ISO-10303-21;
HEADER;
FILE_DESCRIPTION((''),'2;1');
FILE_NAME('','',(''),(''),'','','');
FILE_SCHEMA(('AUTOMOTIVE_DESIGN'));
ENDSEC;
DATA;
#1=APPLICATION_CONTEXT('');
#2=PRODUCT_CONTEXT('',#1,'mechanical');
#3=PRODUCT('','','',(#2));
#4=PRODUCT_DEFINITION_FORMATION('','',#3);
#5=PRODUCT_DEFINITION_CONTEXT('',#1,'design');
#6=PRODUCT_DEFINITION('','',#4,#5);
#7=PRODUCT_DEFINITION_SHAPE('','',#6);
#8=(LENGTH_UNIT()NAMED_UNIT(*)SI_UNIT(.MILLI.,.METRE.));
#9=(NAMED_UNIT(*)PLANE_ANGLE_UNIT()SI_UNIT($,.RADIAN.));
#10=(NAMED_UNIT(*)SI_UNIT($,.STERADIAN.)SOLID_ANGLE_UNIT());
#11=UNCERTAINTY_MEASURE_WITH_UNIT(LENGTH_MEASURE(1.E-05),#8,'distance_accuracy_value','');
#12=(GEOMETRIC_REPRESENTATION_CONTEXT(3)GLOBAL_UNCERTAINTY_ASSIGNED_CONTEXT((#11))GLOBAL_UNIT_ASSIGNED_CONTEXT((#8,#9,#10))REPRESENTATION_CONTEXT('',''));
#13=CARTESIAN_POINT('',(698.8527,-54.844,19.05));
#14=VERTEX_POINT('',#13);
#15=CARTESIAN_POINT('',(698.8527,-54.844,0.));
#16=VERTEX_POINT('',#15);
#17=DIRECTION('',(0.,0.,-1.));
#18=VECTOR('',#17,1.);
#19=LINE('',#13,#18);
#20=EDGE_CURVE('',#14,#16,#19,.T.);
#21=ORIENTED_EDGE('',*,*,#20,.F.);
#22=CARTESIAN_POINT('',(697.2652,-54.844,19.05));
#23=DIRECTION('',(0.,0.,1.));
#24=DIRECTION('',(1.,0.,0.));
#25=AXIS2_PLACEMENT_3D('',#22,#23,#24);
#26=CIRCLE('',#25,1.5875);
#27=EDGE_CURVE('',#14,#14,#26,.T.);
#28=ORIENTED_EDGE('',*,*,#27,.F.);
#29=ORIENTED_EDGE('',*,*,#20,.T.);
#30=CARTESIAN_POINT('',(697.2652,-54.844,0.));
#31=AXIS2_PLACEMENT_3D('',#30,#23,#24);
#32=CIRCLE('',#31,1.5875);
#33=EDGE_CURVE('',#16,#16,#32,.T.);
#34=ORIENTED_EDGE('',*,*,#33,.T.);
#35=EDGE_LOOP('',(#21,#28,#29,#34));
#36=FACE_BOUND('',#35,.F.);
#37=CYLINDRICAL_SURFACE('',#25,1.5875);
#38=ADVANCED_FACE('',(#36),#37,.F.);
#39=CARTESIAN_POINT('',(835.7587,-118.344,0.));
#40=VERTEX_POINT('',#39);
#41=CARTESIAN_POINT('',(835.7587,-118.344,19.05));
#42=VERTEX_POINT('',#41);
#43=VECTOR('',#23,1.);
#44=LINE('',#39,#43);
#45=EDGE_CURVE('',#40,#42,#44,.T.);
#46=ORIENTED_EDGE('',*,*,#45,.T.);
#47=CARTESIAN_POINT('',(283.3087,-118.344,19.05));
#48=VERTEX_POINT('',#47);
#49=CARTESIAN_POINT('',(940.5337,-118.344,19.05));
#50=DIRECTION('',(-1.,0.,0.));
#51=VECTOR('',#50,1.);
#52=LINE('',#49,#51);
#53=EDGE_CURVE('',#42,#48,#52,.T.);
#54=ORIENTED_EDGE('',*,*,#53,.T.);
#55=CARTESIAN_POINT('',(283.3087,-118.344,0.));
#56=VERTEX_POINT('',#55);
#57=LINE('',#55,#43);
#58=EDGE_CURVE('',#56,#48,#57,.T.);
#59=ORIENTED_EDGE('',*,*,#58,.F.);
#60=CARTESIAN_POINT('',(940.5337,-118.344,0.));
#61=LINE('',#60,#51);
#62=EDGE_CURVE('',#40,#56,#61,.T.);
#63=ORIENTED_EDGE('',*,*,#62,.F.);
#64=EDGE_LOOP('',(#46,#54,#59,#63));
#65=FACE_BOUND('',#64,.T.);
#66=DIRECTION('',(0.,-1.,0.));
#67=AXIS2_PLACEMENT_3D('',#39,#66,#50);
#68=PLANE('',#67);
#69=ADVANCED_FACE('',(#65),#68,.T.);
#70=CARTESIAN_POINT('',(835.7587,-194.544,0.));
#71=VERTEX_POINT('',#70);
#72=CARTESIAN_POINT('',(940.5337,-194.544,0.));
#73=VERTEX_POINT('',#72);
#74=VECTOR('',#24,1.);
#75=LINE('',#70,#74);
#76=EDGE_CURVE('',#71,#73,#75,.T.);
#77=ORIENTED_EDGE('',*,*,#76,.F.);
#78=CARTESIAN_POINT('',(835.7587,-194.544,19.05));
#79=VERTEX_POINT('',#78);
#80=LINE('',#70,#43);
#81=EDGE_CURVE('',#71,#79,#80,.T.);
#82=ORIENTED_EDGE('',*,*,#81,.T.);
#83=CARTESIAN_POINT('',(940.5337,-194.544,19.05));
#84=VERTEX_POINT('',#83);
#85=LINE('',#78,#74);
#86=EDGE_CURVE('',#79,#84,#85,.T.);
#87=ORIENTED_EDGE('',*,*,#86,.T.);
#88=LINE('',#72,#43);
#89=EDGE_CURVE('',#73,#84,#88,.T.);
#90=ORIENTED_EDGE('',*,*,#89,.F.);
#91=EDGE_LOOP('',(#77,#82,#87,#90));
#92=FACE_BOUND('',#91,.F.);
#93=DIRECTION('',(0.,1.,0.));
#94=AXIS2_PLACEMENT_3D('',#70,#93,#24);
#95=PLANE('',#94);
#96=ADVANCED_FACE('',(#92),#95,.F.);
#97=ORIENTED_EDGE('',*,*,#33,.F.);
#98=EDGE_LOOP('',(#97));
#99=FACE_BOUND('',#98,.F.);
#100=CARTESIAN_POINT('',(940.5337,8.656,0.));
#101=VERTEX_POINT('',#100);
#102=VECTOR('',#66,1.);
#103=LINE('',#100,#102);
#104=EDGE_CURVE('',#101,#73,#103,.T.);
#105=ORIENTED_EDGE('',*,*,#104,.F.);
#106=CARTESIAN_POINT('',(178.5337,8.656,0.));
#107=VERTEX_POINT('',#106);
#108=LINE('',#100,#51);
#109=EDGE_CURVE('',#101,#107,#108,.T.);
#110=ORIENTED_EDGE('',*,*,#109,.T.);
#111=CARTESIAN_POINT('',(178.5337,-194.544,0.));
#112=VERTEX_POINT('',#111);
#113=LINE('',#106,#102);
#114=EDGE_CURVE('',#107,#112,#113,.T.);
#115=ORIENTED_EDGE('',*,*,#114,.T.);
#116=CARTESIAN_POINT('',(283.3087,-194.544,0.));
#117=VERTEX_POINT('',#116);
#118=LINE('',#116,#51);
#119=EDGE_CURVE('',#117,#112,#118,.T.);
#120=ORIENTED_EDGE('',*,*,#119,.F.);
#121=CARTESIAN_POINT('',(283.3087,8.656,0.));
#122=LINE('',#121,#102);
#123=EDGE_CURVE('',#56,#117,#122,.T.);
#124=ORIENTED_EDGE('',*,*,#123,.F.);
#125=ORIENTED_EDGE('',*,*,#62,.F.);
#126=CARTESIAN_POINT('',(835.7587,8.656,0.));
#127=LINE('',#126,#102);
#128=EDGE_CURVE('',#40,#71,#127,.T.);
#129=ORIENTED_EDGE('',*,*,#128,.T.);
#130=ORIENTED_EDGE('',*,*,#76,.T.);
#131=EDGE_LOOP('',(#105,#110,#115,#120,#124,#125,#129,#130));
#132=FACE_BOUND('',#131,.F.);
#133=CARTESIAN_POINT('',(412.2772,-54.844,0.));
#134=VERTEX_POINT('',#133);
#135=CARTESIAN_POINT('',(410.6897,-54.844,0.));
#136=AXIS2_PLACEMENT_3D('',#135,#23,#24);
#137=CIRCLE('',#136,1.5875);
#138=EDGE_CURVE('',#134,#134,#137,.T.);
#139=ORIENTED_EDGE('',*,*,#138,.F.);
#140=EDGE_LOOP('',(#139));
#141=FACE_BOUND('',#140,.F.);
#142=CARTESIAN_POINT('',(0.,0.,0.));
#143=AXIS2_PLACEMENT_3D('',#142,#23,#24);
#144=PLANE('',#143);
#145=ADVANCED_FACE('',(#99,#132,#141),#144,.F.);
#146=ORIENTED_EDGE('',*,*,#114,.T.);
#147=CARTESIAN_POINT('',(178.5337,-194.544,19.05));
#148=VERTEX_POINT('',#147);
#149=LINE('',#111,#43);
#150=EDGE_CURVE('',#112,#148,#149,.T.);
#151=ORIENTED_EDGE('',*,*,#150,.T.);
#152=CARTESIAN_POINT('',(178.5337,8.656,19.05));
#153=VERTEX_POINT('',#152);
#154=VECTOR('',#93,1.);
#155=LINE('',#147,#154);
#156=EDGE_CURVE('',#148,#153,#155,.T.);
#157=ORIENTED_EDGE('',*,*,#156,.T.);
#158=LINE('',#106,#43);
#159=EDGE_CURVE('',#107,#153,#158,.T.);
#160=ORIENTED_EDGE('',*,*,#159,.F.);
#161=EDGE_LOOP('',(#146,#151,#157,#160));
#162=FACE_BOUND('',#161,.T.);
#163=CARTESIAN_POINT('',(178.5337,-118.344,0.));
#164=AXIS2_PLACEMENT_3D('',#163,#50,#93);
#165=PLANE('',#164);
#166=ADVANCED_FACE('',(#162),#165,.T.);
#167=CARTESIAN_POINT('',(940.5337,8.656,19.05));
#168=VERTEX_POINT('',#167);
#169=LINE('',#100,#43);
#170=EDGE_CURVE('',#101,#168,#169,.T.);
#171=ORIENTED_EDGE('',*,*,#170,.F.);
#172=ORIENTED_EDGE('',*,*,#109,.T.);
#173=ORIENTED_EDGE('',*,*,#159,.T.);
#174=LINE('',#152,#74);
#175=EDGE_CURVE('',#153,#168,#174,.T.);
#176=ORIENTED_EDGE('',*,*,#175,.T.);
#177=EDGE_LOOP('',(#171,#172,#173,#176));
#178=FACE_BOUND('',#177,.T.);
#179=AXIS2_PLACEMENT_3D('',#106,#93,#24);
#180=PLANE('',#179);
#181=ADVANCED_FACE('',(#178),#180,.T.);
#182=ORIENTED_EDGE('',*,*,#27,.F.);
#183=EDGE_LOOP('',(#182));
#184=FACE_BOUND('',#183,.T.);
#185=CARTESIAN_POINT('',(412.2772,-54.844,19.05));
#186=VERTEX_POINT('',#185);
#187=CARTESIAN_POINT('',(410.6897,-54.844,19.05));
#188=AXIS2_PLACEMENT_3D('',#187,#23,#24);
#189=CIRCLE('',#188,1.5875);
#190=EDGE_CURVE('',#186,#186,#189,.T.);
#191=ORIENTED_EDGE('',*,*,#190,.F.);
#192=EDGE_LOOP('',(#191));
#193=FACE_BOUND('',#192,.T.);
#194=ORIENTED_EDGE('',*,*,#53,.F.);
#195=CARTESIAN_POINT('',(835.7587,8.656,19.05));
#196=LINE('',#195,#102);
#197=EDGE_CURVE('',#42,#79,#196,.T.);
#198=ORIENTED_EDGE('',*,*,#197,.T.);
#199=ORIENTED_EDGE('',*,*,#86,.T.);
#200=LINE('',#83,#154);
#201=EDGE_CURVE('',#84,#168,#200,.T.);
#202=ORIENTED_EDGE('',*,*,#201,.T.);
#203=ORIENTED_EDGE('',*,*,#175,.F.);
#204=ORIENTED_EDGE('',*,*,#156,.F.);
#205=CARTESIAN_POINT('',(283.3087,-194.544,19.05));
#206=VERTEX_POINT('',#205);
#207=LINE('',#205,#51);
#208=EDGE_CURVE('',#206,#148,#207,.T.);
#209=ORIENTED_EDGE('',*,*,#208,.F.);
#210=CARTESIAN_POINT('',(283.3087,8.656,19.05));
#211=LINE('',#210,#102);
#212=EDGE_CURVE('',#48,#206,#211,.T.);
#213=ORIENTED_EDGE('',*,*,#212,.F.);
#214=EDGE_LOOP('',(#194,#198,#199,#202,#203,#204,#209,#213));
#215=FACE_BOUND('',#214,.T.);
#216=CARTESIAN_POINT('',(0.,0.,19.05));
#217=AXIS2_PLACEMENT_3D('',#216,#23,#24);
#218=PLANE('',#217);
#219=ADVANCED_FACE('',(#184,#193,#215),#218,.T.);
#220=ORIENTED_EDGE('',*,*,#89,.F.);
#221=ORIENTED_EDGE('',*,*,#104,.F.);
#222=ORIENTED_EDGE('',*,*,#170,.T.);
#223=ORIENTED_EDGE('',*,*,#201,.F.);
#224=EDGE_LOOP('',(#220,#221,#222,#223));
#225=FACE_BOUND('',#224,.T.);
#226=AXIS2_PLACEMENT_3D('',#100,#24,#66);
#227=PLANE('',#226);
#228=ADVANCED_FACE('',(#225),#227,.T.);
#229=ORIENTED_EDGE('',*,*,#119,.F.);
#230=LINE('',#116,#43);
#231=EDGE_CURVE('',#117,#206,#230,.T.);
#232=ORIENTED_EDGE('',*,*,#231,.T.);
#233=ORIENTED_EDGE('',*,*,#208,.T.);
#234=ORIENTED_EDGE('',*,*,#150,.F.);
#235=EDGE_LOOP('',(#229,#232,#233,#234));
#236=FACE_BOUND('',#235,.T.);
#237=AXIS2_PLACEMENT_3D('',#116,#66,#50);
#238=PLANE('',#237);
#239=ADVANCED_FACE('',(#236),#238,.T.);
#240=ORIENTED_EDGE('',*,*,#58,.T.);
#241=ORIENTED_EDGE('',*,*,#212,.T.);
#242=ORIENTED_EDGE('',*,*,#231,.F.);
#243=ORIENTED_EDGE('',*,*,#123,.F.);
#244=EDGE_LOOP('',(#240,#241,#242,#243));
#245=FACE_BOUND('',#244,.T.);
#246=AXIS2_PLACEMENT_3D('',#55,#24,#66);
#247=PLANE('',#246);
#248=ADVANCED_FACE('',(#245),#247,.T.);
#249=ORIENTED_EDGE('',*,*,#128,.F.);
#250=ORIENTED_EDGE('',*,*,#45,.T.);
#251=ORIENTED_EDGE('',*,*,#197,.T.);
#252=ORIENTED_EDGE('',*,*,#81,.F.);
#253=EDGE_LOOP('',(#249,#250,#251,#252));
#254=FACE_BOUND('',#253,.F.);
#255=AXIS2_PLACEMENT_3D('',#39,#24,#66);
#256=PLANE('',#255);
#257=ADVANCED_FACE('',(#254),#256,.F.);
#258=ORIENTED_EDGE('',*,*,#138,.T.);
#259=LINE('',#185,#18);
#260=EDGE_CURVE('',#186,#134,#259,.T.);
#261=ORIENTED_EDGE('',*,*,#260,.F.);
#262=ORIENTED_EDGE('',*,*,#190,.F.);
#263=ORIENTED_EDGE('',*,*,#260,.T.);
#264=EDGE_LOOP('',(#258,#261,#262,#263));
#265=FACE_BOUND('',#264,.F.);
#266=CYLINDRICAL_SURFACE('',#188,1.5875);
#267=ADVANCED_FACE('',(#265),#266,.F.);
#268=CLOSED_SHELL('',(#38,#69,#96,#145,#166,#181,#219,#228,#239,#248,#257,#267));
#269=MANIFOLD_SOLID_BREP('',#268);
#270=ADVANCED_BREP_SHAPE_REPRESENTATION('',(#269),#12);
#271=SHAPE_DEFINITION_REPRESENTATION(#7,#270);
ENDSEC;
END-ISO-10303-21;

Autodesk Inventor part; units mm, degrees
ref_plane "YZ Plane" through (0, 0, 0) normal (1, 0, 0) x (0, 1, 0)
ref_plane "XZ Plane" through (0, 0, 0) normal (0, 1, 0) x (-1, 0, 0)
ref_plane "XY Plane" through (0, 0, 0) normal (0, 0, 1) x (1, 0, 0)
sketch "Sketch1" plane through (0, 0, 0) normal (0, 0, 1) x (1, 0, 0)
  line L0 (178.5337, 8.656) -> (283.3087, 8.656)
  line L1 (283.3087, 8.656) -> (283.3087, -194.544)
  line L2 (283.3087, -194.544) -> (178.5337, -194.544)
  line L3 (178.5337, -194.544) -> (178.5337, 8.656)
  line L4 (178.5337, 8.656) -> (940.5337, 8.656)
  line L5 (940.5337, 8.656) -> (940.5337, -118.344)
  line L6 (940.5337, -118.344) -> (178.5337, -118.344)
  line L7 (178.5337, -118.344) -> (178.5337, 8.656)
  line L8 (940.5337, 8.656) -> (835.7587, 8.656)
  line L9 (835.7587, 8.656) -> (835.7587, -194.544)
  line L10 (835.7587, -194.544) -> (940.5337, -194.544)
  line L11 (940.5337, -194.544) -> (940.5337, 8.656)
  dimension "d21" = 104.775
  dimension "d22" = 203.2
  dimension "d23" = 762
  dimension "d24" = 127
  dimension "d25" = 104.775
extrude "Extrusion3" add sketch "Sketch1" along normal blind 19.05
sketch "Sketch3" plane through (0, 0, 19.05) normal (0, 0, 1) x (1, 0, 0)
  line L0 (940.5337, -194.544) -> (940.5337, 8.656) projected
  line L1 (940.5337, 8.656) -> (178.5337, 8.656) projected
  line L2 (178.5337, 8.656) -> (178.5337, -194.544) projected
  circle A0 centre (410.6897, -54.844) radius 1.5875
  circle A1 centre (697.2652, -54.844) radius 1.5875
  point P0 (0, 0)
  dimension "d28" = 232.156
  dimension "d29" = 3.175
  dimension "d30" = 243.2685
  dimension "d31" = 3.175
  dimension "d32" = 63.5
  dimension "d33" = 63.5
extrude "Extrusion4" cut sketch "Sketch3" against normal blind 25.4
equation "\"d32\" = d33"
properties part number "Chassis_Bumpermount_woodpiece"
